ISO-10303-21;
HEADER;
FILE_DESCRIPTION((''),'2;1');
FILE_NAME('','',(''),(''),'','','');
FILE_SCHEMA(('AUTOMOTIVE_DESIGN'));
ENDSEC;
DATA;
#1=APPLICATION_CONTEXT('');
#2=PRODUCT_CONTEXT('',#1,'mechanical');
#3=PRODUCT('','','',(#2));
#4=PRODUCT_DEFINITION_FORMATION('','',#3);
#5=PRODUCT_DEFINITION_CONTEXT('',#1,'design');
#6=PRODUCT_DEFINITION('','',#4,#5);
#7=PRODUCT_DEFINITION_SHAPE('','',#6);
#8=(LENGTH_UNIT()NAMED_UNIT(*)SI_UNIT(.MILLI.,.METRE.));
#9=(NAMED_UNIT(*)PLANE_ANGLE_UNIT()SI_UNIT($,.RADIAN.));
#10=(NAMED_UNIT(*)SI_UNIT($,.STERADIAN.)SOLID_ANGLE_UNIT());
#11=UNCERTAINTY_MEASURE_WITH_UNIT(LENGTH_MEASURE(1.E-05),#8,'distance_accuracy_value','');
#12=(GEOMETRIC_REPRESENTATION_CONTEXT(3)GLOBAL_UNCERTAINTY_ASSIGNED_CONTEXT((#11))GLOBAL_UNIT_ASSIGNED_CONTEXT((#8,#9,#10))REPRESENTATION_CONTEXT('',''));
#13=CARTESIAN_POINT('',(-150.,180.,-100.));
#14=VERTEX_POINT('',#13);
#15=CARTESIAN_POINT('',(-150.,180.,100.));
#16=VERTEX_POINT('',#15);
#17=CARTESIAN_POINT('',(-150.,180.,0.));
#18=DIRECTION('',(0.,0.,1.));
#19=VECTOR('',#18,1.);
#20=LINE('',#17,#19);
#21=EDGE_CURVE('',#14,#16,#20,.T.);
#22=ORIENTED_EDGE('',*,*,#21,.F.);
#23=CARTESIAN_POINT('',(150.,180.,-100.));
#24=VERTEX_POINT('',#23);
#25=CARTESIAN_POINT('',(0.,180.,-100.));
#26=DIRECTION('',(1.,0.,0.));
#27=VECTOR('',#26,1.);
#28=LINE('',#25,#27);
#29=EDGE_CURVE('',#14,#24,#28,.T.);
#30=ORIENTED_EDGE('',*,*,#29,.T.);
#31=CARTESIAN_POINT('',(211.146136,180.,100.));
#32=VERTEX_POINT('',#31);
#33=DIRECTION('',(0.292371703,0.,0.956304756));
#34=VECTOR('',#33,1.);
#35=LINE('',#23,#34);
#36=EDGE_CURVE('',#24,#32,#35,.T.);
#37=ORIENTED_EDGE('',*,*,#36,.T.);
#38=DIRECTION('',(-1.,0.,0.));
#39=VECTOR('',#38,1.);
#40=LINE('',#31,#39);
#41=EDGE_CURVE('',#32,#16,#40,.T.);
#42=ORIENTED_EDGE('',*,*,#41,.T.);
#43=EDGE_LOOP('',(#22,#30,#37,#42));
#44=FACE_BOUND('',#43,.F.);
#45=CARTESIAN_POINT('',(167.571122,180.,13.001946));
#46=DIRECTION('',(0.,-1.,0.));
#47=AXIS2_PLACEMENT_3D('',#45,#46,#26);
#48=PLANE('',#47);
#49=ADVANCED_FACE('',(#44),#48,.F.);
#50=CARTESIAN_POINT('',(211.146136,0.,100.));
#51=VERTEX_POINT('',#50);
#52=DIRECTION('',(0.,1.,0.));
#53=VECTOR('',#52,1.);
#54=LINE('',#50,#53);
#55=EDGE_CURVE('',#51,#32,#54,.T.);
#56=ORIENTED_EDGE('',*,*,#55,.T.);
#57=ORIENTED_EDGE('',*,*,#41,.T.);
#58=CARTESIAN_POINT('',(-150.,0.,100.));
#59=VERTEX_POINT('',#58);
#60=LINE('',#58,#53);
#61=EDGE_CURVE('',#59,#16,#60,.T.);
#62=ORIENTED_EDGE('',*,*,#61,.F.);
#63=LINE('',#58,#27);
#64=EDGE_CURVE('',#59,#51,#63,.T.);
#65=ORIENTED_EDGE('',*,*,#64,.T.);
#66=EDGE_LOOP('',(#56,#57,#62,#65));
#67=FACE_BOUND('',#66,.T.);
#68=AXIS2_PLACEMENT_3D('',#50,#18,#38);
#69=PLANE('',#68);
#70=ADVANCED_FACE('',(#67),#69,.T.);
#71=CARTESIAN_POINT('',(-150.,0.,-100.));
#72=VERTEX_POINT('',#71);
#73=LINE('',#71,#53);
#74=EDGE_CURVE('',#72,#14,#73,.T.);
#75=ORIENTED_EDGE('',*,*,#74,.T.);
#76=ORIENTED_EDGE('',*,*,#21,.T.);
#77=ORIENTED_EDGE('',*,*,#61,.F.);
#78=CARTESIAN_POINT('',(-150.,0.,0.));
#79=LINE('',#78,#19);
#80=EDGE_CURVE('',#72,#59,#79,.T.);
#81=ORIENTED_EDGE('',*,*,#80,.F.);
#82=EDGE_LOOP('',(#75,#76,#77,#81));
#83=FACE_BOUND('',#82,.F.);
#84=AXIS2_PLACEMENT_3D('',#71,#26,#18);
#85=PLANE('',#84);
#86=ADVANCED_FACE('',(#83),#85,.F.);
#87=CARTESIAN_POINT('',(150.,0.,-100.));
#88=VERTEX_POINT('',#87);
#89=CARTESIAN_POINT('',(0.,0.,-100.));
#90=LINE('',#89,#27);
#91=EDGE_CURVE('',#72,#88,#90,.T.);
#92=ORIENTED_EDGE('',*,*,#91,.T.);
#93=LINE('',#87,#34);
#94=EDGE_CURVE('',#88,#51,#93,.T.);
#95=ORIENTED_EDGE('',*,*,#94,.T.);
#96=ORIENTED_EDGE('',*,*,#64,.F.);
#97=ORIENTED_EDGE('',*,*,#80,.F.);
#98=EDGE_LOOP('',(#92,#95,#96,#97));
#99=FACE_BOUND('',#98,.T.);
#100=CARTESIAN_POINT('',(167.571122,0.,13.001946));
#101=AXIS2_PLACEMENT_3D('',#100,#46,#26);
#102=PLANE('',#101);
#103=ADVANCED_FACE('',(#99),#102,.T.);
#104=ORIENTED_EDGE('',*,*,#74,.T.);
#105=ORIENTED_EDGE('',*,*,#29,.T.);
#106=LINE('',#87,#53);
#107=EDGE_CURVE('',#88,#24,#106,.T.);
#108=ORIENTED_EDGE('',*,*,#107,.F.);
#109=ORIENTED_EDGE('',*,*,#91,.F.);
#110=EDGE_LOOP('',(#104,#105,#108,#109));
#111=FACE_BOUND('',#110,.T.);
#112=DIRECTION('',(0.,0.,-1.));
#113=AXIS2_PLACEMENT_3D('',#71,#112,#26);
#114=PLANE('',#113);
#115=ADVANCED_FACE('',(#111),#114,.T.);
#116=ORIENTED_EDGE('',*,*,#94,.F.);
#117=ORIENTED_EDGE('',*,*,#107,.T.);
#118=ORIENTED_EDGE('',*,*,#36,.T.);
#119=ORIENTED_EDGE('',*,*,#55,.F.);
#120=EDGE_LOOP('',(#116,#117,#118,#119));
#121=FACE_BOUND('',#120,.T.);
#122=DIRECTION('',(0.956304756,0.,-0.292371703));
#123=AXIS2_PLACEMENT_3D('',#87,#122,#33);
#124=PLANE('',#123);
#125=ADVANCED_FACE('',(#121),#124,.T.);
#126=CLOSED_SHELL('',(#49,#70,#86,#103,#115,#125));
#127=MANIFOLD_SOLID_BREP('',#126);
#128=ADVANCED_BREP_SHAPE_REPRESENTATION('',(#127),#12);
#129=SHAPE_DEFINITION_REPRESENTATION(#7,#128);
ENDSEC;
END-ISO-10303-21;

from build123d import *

# Parameters (mm, degrees)
F0_W     = 300
F0_H     = 200
F1_DEPTH = 180
F3_DEPTH = 180


with BuildPart() as f1:
    # F0 (on Front) → F1 (new body)
    with BuildSketch(Plane.XZ):
        Rectangle(F0_W, F0_H)
    extrude(amount=-F1_DEPTH)

    # F2 (on face) → F3 (join)
    with BuildSketch(Plane.XZ):
        Polygon((150, 100), (150, -100), (211.146136, 100), align=None)
    extrude(amount=-F3_DEPTH)


solid = f1.part
